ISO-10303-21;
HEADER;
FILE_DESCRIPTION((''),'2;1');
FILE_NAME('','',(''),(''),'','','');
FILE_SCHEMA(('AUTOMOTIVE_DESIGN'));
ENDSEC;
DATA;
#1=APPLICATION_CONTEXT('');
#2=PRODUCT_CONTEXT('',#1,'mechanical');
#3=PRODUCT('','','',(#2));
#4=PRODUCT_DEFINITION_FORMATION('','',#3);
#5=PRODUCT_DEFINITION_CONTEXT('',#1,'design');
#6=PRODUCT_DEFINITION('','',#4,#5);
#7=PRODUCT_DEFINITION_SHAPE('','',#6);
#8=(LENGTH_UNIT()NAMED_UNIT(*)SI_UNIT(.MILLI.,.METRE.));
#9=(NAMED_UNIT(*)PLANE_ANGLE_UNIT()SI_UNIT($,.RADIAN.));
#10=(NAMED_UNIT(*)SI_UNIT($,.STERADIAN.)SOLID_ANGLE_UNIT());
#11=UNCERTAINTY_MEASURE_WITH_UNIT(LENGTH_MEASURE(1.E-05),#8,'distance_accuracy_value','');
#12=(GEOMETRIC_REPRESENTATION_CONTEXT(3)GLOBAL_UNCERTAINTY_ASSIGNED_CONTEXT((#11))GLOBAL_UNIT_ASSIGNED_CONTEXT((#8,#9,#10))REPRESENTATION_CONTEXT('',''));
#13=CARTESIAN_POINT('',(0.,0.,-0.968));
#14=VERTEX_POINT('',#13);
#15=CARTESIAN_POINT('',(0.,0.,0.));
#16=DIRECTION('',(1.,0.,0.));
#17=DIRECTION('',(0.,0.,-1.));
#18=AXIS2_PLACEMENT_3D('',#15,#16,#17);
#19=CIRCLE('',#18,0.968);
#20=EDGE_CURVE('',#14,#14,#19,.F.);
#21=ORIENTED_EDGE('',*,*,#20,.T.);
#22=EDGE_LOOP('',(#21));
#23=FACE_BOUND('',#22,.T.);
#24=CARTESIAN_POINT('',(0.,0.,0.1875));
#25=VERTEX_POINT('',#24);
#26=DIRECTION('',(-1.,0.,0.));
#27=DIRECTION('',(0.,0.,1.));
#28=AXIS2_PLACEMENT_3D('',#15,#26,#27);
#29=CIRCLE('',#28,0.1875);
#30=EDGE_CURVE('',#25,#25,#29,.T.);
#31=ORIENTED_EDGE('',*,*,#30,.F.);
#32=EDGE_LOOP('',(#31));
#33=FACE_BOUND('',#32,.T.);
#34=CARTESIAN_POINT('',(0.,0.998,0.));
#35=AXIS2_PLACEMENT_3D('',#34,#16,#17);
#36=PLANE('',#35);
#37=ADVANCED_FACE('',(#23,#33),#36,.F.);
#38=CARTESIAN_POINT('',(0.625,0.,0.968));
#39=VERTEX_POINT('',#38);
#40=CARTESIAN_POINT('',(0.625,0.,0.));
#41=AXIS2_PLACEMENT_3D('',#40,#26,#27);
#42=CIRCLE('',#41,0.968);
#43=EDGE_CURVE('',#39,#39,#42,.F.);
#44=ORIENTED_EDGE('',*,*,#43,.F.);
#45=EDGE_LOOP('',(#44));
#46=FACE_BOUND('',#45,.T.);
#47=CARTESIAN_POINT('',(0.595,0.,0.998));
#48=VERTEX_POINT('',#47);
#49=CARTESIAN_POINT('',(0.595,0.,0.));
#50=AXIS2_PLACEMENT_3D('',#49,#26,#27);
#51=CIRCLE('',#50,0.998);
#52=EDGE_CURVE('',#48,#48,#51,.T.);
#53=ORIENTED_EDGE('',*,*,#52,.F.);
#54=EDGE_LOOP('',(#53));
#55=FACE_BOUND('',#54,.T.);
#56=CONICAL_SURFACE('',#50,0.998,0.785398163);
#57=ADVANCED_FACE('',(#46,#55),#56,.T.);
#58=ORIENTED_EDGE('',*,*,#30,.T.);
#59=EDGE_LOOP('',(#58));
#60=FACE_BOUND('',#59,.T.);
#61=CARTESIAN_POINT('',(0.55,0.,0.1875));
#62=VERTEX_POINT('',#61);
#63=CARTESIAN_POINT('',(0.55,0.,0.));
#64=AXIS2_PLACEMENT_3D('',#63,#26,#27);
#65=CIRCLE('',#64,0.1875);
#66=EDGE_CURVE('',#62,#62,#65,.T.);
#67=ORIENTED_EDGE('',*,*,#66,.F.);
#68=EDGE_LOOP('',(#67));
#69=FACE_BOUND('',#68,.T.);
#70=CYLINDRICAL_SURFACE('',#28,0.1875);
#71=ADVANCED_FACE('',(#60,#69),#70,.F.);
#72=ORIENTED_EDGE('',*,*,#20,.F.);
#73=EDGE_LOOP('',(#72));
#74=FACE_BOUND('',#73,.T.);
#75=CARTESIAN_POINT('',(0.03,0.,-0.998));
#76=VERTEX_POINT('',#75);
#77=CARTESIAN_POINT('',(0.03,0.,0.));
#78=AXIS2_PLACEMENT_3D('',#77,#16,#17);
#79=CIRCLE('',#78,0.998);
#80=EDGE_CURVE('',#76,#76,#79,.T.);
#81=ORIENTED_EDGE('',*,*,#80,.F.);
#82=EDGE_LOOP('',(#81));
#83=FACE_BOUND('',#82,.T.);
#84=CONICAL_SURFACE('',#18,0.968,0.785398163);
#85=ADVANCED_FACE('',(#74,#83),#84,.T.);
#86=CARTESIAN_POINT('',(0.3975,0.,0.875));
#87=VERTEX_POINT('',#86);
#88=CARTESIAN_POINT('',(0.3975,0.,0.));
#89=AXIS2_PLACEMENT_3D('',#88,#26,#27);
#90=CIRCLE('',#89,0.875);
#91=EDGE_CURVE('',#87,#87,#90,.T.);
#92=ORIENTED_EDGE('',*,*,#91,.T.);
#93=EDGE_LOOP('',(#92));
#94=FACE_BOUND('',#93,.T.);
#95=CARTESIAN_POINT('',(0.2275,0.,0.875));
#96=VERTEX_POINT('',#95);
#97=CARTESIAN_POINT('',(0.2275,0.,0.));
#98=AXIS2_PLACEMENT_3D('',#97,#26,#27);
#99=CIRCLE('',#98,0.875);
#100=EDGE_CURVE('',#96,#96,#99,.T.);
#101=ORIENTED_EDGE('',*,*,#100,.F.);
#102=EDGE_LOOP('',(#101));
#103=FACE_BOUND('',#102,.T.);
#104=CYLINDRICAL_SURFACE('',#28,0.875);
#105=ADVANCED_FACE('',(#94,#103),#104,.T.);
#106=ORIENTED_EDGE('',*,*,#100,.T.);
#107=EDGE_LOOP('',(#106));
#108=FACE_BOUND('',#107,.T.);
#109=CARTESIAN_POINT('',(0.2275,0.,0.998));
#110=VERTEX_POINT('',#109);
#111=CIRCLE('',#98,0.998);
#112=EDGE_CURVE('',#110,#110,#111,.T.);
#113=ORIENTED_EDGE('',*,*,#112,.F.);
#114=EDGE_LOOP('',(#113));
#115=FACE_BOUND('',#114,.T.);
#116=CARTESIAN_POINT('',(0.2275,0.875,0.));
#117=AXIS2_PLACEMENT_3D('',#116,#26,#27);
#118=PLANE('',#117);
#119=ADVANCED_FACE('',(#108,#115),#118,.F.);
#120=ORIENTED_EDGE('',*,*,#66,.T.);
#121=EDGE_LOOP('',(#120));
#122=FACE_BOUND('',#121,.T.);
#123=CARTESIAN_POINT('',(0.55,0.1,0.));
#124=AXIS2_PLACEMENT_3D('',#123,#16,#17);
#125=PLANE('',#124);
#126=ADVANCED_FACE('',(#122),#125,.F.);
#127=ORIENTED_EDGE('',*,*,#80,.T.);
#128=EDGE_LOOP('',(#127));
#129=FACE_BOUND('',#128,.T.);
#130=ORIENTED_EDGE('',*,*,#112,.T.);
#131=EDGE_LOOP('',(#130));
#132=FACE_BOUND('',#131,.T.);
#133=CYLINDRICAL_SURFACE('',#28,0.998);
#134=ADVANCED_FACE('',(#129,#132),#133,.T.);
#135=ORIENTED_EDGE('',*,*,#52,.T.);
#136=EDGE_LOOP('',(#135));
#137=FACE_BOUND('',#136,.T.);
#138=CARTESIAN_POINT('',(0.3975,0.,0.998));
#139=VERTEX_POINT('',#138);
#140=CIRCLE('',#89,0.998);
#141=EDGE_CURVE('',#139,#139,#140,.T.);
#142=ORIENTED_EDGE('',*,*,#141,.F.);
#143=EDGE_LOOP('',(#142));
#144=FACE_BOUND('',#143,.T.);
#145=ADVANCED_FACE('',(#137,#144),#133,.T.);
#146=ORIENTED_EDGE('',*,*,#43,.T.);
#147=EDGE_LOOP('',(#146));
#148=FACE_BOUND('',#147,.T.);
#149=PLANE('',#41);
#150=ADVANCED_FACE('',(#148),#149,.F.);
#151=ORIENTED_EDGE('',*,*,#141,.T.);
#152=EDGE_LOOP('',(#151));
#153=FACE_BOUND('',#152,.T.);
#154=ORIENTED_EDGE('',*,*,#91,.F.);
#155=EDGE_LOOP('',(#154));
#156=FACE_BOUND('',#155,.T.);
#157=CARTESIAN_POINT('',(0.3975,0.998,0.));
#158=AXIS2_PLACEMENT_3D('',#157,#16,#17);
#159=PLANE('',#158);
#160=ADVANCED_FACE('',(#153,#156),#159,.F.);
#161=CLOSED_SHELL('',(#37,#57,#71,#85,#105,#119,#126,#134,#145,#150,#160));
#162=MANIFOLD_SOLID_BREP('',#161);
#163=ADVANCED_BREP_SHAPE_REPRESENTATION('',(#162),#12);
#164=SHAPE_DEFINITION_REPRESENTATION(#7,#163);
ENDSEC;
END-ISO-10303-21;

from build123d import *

# Parameters (mm, degrees)
CHAFL_N1_SIZE = 0.03


with BuildPart() as part:
    # Croquis1 → Revolución1 (revolve)
    with BuildSketch(Plane.XY, mode=Mode.PRIVATE) as revoluci_n1_sk:
        Polygon((0, 0.1875), (0.55, 0.1875), (0.55, 0.1), (0.55, 0), (0.625, 0), (0.625, 0.998), (0.3975, 0.998), (0.3975, 0.875), (0.2275, 0.875), (0.2275, 0.998), (0, 0.998), align=None)
    revolve(revoluci_n1_sk.sketch.rotate(Axis((0, 0, 0), (1, 0, 0)), 90), axis=Axis((0, 0, 0), (1, 0, 0)))

    # Chaflán1
    chafl_n1_edges = [part.edges().sort_by_distance(p)[0] for p in [
        (0, 0, -0.998),
        (0.625, 0, -0.998),
    ]]
    chamfer(chafl_n1_edges, length=CHAFL_N1_SIZE)


solid = part.part
